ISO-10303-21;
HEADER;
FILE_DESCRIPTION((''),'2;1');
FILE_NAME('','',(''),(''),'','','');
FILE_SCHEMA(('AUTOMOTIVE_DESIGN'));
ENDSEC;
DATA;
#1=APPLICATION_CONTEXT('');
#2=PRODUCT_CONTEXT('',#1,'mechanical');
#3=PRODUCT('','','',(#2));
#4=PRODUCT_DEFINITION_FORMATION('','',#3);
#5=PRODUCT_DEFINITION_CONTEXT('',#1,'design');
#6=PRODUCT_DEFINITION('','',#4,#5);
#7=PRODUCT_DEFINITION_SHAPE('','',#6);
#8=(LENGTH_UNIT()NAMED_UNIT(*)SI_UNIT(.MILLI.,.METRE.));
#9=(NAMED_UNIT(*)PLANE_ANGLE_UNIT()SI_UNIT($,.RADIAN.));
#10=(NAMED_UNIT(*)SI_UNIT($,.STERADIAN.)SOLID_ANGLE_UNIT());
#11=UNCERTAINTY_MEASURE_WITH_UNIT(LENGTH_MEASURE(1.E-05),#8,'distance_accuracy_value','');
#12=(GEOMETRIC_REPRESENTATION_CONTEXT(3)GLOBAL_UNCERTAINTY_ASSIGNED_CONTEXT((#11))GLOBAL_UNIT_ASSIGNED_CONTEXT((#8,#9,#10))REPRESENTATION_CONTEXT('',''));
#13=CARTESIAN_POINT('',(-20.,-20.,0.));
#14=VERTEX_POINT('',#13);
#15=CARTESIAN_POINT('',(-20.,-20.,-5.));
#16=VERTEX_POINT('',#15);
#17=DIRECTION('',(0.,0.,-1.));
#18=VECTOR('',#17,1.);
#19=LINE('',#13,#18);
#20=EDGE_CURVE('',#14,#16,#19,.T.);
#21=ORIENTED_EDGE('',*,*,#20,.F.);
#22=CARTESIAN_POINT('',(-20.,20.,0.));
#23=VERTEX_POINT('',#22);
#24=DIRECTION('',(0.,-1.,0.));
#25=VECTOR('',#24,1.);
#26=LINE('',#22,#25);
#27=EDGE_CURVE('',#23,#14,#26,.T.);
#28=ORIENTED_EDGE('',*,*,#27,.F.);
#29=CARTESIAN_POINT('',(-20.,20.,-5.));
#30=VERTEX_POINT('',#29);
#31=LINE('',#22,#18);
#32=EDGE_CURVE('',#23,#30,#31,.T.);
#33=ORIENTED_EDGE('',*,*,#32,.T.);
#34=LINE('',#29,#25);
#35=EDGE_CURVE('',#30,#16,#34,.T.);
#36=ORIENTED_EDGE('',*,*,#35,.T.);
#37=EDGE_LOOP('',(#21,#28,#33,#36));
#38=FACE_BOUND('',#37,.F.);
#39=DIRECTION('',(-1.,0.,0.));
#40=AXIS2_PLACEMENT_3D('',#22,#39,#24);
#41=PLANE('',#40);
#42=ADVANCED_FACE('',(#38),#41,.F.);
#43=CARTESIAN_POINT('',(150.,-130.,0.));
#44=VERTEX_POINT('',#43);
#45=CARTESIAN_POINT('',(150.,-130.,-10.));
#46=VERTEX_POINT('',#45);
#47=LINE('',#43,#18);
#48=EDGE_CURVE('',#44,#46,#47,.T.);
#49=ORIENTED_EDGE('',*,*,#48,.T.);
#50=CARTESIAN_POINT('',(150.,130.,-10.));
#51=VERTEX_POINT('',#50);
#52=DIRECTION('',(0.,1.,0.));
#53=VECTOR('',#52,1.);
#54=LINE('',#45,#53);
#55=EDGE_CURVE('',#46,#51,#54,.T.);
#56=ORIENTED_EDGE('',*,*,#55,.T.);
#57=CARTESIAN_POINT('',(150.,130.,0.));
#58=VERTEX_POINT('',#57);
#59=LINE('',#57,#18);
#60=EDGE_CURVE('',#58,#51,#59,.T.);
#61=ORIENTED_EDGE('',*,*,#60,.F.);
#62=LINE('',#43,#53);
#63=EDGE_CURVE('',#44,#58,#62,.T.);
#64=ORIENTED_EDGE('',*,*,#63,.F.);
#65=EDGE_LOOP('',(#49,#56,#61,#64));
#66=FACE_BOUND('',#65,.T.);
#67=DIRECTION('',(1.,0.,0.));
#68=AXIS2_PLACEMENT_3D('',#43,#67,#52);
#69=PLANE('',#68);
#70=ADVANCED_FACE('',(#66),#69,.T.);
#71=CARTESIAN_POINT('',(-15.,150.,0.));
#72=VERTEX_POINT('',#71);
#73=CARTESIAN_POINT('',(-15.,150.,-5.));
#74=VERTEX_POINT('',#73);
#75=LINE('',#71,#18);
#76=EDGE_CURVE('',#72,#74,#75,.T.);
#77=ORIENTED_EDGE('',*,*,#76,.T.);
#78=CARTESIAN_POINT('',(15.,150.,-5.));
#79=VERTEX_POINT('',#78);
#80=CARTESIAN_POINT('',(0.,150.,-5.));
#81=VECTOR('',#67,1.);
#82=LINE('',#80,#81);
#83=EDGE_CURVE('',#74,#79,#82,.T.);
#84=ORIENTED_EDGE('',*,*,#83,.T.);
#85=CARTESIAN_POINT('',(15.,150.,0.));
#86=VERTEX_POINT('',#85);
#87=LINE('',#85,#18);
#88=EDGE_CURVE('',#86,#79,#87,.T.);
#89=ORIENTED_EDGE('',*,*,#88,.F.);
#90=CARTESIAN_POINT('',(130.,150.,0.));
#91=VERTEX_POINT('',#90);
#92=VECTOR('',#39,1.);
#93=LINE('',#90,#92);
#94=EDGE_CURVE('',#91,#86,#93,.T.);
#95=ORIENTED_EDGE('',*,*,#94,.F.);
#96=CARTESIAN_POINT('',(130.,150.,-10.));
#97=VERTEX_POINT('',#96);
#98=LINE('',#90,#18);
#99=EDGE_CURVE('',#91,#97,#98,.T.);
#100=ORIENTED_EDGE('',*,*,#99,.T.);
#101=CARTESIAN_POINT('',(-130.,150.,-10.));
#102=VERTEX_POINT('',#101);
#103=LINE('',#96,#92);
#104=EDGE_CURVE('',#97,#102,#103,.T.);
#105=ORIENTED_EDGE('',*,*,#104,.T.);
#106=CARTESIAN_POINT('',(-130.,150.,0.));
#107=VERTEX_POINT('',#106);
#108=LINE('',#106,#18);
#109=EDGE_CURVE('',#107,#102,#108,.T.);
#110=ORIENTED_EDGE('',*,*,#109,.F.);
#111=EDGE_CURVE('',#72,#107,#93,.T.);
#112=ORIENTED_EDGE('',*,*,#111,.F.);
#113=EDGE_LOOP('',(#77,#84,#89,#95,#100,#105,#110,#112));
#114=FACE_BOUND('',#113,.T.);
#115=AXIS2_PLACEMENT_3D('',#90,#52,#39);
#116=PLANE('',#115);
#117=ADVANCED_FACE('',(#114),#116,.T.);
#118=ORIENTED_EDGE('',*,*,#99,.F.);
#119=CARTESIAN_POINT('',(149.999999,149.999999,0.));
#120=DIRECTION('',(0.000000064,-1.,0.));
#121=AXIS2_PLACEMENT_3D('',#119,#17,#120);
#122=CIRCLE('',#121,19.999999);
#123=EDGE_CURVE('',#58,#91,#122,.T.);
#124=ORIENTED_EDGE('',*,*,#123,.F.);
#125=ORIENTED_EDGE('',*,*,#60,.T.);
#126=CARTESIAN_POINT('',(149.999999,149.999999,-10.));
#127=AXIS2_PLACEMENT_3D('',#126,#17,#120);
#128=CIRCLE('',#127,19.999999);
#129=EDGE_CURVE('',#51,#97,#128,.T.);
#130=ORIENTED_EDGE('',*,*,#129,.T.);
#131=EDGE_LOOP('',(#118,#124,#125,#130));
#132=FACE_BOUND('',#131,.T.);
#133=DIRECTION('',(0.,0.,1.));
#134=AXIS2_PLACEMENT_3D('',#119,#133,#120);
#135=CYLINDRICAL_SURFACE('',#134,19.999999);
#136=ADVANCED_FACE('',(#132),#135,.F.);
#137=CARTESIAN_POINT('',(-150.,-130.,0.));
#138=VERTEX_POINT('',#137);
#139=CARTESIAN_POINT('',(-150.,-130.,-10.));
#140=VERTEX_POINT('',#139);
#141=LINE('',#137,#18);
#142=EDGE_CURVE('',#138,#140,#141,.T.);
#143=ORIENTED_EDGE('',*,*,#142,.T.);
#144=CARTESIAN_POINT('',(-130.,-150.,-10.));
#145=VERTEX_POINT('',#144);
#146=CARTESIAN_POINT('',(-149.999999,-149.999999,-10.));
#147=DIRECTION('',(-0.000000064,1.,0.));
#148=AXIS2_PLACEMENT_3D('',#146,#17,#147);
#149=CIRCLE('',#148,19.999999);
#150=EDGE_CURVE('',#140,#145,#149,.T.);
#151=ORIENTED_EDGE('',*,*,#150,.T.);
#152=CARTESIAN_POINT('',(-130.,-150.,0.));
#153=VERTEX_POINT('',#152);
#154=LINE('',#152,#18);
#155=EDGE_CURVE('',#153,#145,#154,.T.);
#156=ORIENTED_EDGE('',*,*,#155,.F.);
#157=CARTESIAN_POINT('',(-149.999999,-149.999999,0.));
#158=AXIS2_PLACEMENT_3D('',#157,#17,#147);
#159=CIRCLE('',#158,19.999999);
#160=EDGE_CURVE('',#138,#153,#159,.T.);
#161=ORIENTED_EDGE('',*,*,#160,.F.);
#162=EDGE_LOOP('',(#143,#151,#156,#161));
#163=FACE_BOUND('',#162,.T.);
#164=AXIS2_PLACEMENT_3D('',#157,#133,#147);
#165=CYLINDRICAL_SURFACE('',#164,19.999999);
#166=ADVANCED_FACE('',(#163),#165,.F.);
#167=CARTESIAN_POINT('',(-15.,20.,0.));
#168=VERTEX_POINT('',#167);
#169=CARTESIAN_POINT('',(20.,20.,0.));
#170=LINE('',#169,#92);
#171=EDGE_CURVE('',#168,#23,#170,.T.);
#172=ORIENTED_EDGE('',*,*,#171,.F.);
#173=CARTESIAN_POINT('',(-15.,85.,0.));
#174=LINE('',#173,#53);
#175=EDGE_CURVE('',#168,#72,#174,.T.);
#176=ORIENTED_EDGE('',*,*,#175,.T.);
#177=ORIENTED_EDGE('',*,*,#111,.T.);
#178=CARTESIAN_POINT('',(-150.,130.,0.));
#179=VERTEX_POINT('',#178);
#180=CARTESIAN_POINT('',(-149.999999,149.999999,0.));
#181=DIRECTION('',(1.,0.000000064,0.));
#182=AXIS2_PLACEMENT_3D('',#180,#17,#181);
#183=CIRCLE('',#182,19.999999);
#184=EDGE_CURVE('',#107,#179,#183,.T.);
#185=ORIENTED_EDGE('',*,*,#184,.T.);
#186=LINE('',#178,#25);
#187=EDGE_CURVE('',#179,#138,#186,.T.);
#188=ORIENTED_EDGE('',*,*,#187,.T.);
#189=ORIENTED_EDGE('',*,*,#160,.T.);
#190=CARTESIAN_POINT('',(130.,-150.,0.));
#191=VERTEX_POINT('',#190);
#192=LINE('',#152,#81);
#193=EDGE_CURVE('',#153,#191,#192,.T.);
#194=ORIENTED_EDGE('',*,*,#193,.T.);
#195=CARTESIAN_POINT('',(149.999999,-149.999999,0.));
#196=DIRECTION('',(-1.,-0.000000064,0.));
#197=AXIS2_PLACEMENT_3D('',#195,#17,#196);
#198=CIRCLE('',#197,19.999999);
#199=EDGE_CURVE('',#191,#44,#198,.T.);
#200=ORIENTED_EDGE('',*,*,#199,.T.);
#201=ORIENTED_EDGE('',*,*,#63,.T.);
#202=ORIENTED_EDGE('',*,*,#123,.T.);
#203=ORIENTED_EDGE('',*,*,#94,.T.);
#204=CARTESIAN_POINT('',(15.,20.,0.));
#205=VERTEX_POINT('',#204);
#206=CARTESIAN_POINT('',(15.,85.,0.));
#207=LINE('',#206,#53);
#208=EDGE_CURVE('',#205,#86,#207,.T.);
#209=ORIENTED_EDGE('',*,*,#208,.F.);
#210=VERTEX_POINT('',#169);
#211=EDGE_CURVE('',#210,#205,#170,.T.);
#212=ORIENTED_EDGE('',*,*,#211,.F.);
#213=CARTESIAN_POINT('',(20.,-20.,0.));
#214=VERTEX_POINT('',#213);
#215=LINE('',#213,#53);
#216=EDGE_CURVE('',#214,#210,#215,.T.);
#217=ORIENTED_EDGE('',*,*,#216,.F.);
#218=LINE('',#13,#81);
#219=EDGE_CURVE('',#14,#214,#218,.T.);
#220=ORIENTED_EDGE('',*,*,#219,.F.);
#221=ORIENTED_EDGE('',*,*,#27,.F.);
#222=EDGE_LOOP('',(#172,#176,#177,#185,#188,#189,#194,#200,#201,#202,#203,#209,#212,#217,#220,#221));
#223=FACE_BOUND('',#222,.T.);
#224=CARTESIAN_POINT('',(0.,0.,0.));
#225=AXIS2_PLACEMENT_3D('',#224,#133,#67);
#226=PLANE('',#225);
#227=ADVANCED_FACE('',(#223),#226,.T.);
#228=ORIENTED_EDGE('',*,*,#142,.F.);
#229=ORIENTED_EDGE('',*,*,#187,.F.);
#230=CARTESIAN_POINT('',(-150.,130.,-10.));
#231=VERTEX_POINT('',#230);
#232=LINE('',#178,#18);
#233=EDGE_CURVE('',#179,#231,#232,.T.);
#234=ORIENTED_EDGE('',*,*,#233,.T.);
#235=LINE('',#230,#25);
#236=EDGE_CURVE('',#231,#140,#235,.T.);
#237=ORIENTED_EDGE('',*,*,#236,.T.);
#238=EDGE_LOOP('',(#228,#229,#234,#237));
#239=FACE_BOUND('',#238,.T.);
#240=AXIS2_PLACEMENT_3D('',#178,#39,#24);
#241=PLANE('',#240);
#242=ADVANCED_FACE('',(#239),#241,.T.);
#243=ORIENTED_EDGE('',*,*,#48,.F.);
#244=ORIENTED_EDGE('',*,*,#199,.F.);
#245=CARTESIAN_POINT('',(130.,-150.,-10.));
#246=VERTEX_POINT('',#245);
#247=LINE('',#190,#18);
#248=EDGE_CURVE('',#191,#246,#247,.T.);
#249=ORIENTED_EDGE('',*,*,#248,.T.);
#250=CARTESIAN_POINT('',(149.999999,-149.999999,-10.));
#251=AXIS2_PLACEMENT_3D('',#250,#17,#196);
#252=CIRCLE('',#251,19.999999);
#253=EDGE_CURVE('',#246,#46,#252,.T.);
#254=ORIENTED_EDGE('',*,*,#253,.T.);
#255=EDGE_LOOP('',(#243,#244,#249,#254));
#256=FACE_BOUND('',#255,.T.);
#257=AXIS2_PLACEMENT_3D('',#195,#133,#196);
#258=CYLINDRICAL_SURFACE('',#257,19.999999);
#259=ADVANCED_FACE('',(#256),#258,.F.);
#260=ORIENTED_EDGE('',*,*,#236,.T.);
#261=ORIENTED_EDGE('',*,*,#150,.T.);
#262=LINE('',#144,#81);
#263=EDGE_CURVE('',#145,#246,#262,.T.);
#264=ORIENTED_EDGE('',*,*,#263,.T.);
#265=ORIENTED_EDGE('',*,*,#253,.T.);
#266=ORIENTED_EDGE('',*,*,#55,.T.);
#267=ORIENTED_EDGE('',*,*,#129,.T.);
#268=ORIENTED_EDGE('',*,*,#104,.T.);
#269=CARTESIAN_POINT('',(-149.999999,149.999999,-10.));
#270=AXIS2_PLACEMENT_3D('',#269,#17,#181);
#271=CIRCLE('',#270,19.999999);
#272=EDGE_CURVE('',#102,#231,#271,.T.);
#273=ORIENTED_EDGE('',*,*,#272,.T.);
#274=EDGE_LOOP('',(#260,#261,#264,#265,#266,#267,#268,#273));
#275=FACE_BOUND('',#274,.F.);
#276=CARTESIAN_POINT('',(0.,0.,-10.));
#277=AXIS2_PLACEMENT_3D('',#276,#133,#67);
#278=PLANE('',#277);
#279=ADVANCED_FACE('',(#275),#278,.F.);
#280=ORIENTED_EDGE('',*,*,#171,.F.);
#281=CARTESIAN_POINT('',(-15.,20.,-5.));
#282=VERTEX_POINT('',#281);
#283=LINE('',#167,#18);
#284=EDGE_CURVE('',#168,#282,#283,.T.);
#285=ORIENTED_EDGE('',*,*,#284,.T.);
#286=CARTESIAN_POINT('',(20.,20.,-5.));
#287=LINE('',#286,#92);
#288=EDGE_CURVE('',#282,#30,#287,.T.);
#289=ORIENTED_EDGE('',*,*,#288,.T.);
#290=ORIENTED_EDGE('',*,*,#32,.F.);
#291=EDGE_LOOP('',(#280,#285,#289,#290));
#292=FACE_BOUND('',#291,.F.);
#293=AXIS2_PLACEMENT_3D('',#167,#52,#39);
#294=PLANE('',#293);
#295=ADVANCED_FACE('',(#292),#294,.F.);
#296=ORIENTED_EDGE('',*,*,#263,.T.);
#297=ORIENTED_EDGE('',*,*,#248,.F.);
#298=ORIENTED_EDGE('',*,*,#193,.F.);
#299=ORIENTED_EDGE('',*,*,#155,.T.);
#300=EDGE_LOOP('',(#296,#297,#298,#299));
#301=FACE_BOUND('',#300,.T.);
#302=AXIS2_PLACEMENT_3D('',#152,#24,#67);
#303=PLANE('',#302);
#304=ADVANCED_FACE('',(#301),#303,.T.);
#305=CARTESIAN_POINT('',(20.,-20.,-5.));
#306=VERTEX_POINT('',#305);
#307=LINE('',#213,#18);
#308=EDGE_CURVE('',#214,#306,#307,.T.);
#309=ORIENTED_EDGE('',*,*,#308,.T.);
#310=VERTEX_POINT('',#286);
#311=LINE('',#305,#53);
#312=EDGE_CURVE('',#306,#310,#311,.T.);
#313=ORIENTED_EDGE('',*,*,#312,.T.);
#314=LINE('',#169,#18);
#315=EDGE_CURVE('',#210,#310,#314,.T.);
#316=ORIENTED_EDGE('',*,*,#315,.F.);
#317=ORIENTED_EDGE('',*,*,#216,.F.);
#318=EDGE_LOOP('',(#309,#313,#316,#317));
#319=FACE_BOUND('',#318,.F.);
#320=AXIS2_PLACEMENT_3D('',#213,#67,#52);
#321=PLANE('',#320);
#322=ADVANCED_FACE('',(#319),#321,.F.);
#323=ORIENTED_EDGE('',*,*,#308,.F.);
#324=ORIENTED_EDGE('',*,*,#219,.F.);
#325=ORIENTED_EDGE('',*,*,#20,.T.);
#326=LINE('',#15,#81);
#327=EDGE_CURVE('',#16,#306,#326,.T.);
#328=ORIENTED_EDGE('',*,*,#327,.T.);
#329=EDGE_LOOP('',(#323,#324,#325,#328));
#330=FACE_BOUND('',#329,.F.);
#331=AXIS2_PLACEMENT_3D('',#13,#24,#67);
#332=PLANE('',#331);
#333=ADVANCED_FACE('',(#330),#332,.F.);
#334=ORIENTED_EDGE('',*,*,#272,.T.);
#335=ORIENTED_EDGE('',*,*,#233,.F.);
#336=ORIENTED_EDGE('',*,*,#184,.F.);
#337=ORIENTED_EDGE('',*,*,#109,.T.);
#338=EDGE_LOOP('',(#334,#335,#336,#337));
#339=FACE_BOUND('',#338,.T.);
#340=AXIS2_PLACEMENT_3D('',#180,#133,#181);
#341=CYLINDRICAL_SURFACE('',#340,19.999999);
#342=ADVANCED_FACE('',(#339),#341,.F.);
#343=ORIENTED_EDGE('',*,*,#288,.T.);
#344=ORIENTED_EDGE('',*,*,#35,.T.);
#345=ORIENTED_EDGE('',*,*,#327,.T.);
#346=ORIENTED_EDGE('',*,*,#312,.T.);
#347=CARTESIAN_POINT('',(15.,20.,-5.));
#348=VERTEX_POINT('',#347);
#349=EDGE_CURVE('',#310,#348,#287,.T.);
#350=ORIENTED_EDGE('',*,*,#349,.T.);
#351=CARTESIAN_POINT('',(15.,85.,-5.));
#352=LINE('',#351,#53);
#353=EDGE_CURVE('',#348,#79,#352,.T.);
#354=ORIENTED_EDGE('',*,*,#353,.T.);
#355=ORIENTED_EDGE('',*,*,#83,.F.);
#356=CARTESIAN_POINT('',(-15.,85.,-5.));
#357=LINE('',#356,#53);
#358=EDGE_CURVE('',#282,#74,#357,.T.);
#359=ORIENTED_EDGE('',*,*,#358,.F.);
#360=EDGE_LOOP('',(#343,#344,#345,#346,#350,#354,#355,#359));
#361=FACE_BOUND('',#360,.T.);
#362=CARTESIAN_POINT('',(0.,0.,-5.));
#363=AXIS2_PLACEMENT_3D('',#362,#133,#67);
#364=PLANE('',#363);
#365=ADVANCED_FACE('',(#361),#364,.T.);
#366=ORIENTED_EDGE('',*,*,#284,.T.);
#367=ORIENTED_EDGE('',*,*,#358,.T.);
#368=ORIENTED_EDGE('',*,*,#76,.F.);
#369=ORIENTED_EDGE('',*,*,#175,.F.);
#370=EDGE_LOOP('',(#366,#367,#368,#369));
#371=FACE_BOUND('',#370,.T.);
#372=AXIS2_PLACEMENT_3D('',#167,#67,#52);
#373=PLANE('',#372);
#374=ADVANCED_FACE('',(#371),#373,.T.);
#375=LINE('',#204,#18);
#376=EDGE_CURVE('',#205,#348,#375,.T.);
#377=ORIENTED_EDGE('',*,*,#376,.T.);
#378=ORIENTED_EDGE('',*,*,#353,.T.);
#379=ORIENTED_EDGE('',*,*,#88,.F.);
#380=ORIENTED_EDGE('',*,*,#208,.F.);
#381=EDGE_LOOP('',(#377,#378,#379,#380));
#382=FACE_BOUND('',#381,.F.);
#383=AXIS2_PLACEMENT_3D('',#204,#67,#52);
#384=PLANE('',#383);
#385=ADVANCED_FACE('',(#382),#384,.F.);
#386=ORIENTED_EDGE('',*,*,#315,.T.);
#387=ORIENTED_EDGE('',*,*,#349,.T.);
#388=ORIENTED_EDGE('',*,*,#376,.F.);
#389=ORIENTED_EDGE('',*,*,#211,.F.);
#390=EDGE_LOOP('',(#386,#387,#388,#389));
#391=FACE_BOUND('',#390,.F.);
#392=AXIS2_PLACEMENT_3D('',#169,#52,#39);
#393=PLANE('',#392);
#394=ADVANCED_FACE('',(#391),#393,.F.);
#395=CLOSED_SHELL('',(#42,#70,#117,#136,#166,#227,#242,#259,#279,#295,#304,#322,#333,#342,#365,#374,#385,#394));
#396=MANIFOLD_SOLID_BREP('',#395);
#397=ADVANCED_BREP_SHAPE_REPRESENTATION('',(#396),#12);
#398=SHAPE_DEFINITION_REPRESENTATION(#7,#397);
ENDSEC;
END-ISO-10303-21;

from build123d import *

# Parameters (mm, degrees)
F2_DEPTH = 10
F1_W     = 30
F1_H     = 130
F3_DEPTH = 5


with BuildPart() as f2:
    # F0 (on Top) → F2 (new body)
    with BuildSketch(Plane.XY):
        with BuildLine():
            Line((130, 150), (-130, 150))
            ThreePointArc((-130, 150), (-135.857864, 135.857864), (-150, 130))
            Line((-150, 130), (-150, -130))
            ThreePointArc((-150, -130), (-135.857864, -135.857864), (-130, -150))
            Line((-130, -150), (130, -150))
            ThreePointArc((130, -150), (135.857864, -135.857864), (150, -130))
            Line((150, -130), (150, 130))
            ThreePointArc((150, 130), (135.857864, 135.857864), (130, 150))
        make_face()
    extrude(amount=-F2_DEPTH)

    # F1 (on Top) → F3 (cut)
    with BuildSketch(Plane.XY):
        Polygon((-15, 20), (-20, 20), (-20, -20), (20, -20), (20, 20), (15, 20), align=None)
        with Locations((0, 85)):
            Rectangle(F1_W, F1_H)
    extrude(amount=-F3_DEPTH, mode=Mode.SUBTRACT)


solid = f2.part
